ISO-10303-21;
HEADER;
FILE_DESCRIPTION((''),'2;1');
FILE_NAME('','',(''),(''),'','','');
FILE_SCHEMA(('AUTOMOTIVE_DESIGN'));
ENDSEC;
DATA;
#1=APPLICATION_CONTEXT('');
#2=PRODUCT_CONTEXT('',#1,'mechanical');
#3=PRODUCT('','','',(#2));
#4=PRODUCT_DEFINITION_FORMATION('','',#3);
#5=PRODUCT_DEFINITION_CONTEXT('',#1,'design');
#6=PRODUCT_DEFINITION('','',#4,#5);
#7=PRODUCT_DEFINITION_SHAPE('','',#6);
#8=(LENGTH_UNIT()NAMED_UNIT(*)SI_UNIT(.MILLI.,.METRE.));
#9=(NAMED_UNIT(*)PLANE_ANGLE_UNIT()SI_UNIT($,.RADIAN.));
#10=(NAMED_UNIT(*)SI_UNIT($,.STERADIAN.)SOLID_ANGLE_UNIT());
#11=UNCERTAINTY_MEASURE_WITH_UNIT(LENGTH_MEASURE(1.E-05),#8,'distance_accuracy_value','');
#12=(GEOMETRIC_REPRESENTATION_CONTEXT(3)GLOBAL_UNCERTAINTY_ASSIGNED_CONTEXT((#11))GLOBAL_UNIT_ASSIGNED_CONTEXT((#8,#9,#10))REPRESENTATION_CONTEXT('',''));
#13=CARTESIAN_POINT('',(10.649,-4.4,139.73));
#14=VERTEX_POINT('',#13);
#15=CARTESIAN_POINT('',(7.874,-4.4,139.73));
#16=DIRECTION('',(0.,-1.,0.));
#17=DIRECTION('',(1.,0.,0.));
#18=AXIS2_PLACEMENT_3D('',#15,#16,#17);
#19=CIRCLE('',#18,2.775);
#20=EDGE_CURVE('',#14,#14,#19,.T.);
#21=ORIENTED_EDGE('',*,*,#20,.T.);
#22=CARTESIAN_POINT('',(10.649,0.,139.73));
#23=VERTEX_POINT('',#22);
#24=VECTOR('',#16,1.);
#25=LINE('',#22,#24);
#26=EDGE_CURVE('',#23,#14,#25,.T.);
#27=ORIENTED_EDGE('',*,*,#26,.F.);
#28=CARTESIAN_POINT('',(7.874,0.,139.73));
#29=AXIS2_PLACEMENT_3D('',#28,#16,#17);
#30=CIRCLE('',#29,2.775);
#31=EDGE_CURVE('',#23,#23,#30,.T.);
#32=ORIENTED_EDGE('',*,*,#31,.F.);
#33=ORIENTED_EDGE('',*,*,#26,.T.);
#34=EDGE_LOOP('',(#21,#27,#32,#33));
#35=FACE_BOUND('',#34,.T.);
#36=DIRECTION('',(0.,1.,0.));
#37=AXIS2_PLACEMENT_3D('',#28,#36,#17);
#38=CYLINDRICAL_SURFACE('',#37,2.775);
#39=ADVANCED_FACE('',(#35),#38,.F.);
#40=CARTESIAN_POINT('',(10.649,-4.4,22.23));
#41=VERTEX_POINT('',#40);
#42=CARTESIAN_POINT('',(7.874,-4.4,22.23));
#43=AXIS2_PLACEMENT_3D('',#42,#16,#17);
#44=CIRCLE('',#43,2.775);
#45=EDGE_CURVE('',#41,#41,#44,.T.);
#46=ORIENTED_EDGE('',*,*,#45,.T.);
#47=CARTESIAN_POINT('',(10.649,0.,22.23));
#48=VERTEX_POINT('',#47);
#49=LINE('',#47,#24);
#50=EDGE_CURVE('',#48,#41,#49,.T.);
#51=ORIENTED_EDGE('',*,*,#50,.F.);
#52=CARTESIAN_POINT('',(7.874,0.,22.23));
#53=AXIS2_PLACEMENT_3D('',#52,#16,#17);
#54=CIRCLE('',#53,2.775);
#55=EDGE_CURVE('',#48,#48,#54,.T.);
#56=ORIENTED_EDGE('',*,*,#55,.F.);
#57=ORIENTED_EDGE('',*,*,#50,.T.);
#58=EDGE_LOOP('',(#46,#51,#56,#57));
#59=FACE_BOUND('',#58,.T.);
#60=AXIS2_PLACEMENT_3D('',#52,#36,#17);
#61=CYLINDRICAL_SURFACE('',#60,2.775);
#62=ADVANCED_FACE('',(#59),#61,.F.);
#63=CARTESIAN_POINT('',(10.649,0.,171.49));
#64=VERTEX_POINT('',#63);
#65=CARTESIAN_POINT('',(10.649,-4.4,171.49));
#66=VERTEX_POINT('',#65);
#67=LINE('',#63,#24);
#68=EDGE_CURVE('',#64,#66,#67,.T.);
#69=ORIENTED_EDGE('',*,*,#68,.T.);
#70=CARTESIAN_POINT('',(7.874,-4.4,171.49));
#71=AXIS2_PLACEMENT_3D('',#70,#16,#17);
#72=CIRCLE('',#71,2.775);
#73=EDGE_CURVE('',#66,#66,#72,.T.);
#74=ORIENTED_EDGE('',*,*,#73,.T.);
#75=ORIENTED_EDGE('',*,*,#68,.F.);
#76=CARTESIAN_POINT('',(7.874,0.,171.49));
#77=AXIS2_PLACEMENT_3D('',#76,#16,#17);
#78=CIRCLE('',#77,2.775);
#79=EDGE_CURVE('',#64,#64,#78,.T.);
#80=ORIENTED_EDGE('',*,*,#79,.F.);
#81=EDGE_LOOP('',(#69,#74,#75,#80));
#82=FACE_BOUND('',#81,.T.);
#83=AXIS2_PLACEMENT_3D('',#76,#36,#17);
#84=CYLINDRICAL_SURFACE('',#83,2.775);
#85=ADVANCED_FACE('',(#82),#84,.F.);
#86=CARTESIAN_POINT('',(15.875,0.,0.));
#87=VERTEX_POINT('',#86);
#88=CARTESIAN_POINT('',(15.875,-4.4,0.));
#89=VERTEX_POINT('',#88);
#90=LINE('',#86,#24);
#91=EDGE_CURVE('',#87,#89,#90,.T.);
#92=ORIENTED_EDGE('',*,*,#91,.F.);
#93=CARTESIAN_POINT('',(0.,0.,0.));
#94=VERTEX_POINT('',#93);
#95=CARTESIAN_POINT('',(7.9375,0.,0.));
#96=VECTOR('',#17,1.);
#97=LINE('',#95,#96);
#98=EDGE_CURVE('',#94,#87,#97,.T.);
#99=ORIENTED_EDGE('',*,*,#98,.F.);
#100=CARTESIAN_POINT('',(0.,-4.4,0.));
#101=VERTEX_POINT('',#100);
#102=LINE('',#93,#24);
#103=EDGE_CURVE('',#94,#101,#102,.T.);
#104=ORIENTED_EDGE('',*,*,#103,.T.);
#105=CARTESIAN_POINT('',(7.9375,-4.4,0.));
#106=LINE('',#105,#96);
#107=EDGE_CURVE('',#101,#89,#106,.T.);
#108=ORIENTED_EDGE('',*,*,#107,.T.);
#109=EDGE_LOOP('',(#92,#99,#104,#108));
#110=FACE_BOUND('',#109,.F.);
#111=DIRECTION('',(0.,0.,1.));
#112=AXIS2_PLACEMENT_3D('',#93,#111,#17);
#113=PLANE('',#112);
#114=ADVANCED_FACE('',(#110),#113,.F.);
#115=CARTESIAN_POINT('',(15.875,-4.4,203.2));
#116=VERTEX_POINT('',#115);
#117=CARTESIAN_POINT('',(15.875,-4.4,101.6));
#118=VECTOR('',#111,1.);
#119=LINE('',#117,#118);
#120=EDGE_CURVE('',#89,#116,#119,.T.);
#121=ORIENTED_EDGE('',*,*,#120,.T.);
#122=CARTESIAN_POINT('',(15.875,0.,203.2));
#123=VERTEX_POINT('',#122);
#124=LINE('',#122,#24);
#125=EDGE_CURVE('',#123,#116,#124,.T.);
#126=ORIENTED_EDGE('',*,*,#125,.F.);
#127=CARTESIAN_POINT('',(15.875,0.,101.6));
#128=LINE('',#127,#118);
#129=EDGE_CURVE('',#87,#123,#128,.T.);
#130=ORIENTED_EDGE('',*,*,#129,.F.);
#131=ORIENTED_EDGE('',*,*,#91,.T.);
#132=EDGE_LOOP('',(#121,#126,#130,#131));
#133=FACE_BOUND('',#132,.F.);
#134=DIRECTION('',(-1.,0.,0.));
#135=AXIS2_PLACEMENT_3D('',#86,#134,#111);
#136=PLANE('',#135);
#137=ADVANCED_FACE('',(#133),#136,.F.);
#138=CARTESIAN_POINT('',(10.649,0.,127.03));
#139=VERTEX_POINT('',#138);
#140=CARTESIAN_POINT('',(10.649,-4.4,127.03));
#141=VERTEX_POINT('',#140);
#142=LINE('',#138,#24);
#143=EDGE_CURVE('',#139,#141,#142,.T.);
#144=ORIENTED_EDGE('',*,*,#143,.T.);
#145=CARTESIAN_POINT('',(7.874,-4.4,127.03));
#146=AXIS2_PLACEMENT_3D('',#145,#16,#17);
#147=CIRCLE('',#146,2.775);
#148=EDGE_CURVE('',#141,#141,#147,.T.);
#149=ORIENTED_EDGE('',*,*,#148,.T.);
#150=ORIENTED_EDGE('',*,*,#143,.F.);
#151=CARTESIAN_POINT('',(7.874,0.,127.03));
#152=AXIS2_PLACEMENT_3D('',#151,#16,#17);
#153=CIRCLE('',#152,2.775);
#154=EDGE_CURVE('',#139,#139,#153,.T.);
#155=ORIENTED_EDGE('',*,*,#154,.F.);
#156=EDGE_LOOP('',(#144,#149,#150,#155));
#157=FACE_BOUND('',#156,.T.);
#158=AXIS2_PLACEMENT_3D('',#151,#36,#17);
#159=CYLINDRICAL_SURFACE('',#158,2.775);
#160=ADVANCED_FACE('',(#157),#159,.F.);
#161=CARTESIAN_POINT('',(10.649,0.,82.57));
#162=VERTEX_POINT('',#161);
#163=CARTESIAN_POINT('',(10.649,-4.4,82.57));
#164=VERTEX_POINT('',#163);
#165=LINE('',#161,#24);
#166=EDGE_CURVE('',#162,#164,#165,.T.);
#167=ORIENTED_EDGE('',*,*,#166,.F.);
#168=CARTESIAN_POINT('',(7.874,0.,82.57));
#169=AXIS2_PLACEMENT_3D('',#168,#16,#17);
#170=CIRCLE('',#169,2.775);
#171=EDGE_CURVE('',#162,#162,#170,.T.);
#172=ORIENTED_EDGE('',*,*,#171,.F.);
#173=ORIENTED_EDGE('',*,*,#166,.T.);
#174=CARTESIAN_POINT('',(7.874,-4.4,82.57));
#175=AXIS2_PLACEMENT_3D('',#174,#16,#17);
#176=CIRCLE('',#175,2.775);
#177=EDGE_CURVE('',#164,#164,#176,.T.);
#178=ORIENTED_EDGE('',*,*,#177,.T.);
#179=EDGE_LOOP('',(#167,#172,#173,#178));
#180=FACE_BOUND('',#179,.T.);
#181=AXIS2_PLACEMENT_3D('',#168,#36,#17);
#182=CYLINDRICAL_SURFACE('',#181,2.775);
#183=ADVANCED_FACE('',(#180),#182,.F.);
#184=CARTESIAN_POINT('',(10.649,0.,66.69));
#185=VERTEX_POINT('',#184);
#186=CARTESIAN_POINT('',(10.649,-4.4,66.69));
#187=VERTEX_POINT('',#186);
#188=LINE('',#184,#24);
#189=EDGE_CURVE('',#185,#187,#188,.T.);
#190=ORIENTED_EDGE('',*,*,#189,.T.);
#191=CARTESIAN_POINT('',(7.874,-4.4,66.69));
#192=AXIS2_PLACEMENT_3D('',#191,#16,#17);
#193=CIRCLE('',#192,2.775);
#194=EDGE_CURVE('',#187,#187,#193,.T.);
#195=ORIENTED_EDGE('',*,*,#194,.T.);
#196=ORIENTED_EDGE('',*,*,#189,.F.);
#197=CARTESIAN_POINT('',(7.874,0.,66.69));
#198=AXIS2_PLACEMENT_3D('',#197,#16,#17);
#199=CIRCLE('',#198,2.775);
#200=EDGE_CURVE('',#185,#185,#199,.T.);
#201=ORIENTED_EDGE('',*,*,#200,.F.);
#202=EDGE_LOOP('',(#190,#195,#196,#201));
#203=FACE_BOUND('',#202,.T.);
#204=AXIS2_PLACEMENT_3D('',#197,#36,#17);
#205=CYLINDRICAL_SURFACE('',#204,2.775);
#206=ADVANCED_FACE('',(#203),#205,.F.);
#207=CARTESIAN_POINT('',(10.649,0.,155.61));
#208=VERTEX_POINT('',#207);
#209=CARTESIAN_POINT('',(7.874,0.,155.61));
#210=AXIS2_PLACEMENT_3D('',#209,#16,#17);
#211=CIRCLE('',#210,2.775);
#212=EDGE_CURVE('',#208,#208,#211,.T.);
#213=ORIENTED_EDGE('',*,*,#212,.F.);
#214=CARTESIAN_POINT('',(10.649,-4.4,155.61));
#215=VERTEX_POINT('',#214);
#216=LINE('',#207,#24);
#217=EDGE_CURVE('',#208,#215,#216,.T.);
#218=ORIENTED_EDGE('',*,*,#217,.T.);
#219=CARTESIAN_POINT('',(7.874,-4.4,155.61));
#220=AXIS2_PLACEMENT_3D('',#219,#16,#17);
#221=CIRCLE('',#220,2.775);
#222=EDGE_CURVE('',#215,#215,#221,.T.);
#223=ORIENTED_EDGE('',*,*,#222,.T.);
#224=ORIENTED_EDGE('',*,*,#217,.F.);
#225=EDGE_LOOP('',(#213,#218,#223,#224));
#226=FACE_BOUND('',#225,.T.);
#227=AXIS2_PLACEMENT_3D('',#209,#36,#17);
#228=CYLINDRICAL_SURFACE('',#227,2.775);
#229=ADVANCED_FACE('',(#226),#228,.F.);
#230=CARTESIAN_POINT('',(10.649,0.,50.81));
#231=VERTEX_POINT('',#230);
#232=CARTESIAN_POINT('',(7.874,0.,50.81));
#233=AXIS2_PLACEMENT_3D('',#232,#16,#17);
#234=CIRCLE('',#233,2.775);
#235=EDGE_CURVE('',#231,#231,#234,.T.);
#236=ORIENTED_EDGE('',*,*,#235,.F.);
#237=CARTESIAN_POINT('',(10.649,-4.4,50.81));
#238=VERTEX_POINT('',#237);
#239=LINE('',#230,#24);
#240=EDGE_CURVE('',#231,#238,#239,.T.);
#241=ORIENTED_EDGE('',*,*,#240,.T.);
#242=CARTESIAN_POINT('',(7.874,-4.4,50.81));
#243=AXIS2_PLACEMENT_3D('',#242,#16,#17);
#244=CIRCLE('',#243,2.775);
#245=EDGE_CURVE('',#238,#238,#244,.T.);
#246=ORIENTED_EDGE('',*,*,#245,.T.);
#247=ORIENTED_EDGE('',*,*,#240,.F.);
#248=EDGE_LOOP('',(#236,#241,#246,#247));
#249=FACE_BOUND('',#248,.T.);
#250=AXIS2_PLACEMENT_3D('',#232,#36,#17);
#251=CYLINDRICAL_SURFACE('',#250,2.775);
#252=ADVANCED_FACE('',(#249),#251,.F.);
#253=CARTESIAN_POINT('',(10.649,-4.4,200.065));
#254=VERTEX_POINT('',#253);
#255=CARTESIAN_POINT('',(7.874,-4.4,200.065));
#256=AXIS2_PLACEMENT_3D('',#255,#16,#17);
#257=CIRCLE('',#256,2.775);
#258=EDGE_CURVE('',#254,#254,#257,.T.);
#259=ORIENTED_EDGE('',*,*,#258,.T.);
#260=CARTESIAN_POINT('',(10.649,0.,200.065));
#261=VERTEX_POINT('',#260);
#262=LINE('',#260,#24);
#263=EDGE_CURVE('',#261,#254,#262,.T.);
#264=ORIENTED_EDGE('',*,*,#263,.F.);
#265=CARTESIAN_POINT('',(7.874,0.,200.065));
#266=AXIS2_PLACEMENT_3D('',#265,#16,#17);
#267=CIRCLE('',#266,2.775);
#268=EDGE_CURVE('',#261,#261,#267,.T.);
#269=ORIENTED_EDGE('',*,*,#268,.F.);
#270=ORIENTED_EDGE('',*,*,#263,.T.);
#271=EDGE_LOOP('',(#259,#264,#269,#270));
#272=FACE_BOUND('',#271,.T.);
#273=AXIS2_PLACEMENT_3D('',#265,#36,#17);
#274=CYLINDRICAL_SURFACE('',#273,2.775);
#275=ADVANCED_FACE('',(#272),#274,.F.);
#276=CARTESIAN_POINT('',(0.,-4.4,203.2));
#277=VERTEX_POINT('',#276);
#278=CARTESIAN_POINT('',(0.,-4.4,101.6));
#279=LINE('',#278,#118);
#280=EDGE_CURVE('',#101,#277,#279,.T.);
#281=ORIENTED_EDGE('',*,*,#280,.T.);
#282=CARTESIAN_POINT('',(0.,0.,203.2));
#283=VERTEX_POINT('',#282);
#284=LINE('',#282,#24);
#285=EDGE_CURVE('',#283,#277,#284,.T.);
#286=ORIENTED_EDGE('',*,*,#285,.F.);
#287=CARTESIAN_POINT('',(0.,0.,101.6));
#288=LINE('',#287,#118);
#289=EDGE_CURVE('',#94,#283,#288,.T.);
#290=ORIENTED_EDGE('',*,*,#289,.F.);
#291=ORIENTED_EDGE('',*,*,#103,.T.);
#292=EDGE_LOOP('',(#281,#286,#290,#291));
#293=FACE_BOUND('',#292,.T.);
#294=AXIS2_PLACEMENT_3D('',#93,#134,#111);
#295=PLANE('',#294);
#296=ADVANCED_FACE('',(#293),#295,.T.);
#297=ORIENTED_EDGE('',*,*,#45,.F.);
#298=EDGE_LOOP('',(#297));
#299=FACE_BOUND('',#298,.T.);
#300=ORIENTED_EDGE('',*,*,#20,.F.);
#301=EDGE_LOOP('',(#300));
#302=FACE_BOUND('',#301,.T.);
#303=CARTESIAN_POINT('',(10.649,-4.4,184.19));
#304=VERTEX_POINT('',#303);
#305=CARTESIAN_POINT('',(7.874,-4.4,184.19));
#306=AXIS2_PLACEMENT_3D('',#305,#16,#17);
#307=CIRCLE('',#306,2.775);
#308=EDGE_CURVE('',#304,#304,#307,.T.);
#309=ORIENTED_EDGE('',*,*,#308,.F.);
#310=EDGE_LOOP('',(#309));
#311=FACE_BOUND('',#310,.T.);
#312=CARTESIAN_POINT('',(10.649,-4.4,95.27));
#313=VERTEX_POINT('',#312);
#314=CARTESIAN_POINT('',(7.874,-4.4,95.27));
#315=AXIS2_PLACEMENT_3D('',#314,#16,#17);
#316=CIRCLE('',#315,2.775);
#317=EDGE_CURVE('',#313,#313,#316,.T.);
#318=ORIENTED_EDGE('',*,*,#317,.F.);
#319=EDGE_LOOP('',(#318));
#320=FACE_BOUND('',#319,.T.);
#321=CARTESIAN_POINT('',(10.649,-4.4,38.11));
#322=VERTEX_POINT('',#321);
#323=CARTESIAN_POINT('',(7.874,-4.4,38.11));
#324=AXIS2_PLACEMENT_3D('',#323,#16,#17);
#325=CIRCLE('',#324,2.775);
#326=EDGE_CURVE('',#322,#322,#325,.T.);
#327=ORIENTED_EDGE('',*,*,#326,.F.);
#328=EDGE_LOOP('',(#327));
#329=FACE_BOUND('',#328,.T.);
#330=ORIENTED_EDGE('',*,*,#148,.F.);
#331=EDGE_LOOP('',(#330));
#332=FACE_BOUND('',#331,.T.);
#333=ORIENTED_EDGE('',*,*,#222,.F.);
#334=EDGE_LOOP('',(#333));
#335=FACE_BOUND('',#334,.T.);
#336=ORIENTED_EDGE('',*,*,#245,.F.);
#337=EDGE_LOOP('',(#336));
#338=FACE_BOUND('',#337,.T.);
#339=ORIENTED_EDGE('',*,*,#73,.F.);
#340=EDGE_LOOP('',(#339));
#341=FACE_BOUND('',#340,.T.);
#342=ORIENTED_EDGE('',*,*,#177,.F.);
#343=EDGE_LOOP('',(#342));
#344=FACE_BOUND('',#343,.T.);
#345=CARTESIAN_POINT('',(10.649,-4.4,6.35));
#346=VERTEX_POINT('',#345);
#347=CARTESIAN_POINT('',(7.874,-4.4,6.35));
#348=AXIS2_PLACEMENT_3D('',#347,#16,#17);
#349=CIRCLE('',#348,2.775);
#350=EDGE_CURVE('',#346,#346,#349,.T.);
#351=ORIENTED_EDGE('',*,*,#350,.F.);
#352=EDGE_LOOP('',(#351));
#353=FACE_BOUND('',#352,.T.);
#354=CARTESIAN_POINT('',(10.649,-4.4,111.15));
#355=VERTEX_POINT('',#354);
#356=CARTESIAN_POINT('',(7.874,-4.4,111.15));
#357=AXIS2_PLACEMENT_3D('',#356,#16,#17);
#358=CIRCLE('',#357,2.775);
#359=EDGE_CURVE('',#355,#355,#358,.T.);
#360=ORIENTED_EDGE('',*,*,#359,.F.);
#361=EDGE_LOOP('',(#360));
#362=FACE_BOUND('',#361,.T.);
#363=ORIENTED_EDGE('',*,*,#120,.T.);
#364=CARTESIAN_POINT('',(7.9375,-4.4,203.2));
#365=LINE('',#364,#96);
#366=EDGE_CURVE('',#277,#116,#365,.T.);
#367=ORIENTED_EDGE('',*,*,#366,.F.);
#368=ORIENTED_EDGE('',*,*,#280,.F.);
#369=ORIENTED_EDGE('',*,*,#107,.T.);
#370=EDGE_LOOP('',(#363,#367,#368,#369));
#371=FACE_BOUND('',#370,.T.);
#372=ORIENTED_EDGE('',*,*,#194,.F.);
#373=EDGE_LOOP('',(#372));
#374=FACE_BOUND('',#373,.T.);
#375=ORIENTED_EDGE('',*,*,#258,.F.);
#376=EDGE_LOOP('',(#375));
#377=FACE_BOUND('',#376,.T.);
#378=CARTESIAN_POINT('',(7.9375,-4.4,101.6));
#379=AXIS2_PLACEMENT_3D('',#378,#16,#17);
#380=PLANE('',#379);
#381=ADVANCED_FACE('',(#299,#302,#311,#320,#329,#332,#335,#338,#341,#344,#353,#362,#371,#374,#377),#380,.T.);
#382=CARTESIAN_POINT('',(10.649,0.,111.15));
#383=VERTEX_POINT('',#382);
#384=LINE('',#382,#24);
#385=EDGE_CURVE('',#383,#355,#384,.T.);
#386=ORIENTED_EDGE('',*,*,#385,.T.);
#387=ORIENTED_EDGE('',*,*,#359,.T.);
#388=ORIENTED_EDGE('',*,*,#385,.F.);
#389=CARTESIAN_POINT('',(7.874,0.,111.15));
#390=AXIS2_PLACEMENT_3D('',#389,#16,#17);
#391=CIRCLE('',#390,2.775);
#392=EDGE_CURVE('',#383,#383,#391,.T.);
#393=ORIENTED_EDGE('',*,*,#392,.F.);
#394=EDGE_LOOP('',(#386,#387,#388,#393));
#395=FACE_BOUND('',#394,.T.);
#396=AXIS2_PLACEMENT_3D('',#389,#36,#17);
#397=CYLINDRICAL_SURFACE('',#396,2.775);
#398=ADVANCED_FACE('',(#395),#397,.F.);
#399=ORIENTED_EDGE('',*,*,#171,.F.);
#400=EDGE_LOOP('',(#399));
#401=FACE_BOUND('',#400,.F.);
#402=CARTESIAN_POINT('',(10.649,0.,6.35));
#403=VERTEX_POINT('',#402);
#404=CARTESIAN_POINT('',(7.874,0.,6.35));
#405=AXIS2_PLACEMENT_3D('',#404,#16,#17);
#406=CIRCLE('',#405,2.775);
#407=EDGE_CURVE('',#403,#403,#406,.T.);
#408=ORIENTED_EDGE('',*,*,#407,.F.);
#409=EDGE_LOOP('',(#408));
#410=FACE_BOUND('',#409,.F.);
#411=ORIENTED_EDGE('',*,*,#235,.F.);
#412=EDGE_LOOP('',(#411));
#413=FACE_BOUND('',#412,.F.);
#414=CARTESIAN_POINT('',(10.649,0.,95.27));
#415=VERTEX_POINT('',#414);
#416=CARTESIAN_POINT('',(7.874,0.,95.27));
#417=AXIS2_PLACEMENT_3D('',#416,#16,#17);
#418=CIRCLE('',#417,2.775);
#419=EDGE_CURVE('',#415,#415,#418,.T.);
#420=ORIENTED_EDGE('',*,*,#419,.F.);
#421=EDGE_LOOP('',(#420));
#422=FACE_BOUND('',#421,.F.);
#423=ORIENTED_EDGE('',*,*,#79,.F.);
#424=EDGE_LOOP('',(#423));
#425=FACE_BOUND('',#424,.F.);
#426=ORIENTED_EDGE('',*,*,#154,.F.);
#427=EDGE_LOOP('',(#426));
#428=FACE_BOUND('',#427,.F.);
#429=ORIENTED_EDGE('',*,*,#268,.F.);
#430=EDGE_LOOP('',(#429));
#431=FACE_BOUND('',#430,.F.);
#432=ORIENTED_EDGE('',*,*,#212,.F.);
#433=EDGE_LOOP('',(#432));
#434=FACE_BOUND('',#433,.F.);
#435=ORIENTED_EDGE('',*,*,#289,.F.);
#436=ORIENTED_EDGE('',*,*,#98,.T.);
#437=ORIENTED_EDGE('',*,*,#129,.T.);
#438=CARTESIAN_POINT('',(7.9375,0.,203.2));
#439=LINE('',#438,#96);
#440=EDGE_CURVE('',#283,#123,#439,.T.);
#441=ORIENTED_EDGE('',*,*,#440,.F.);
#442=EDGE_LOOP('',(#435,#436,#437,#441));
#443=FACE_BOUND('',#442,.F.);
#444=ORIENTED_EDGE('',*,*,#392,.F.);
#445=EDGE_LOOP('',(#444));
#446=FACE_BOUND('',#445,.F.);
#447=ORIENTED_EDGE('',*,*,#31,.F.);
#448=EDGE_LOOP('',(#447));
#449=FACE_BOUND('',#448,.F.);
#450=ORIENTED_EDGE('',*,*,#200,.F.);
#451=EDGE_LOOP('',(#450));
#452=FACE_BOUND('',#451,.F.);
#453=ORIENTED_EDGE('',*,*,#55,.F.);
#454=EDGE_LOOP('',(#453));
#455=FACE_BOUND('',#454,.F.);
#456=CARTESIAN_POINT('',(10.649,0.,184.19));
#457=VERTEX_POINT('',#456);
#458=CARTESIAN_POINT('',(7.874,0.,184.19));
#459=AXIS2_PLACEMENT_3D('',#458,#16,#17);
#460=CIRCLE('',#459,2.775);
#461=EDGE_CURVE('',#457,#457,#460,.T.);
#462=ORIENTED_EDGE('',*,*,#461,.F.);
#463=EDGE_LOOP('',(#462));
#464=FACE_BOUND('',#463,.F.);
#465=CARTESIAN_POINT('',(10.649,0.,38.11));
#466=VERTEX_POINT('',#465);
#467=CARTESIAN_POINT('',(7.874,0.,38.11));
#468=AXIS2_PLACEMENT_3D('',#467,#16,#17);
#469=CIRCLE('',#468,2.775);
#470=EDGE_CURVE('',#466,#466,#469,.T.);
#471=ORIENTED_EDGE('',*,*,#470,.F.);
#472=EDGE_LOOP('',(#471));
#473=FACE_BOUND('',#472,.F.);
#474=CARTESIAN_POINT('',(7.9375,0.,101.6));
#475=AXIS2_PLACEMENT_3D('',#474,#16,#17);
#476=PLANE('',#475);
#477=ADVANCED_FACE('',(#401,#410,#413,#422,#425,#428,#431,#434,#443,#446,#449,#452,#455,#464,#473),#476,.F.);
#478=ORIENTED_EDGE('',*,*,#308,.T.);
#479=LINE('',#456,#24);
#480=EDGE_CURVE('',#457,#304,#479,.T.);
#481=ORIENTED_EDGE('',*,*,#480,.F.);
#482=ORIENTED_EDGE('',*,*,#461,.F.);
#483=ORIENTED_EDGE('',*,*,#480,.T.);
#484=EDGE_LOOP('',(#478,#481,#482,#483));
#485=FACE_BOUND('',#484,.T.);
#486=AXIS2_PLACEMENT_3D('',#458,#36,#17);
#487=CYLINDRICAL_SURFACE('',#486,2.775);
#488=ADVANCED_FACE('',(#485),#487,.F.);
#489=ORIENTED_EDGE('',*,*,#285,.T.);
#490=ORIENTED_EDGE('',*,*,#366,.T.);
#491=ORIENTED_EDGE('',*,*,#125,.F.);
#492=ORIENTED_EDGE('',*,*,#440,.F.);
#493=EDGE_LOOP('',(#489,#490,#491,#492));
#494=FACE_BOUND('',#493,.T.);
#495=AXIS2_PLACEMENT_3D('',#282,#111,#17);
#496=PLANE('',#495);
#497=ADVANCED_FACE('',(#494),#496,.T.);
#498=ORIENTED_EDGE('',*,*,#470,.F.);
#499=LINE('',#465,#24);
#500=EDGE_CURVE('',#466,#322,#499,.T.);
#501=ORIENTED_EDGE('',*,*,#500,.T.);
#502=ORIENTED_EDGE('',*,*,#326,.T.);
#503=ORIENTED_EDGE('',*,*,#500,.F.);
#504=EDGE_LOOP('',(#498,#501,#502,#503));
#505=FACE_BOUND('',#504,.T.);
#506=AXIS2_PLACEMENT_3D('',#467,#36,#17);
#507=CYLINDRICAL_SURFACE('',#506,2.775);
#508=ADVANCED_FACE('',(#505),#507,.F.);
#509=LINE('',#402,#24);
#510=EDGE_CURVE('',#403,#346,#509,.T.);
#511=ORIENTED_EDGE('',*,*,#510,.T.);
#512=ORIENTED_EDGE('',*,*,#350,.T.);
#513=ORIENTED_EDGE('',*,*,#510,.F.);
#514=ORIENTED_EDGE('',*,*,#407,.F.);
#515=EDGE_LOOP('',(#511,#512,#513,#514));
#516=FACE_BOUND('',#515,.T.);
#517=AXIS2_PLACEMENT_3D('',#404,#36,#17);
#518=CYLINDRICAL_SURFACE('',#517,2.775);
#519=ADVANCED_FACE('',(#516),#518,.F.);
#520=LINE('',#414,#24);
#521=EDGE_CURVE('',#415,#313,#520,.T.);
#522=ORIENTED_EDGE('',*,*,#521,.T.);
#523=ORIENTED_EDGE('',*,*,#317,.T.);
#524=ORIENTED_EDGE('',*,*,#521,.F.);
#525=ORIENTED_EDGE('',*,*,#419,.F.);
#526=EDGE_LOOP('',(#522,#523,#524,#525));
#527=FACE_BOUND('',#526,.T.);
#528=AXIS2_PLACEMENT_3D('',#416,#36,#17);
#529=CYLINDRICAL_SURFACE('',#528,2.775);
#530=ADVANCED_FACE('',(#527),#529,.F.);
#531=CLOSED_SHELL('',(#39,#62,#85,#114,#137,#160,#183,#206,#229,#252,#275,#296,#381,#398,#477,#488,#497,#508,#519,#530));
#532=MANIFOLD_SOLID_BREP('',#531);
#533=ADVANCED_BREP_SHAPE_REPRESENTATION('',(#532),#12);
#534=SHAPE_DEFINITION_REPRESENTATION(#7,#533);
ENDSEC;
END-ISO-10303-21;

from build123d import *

# Parameters (mm, degrees)
SKETCH_W  = 15.875
SKETCH_H  = 203.2
SKETCH_R  = 2.775
PAD_DEPTH = 4.4


with BuildPart() as part:
    # Sketch → Pad (new body)
    with BuildSketch(Plane.XZ):
        with Locations((7.9375, 101.6)):
            Rectangle(SKETCH_W, SKETCH_H)
        with Locations((7.874, 6.35)):
            Circle(SKETCH_R, mode=Mode.SUBTRACT)
        with Locations((7.874, 22.23)):
            Circle(SKETCH_R, mode=Mode.SUBTRACT)
        with Locations((7.874, 38.11)):
            Circle(SKETCH_R, mode=Mode.SUBTRACT)
        with Locations((7.874, 50.81)):
            Circle(SKETCH_R, mode=Mode.SUBTRACT)
        with Locations((7.874, 66.69)):
            Circle(SKETCH_R, mode=Mode.SUBTRACT)
        with Locations((7.874, 82.57)):
            Circle(SKETCH_R, mode=Mode.SUBTRACT)
        with Locations((7.874, 95.27)):
            Circle(SKETCH_R, mode=Mode.SUBTRACT)
        with Locations((7.874, 111.15)):
            Circle(SKETCH_R, mode=Mode.SUBTRACT)
        with Locations((7.874, 127.03)):
            Circle(SKETCH_R, mode=Mode.SUBTRACT)
        with Locations((7.874, 139.73)):
            Circle(SKETCH_R, mode=Mode.SUBTRACT)
        with Locations((7.874, 155.61)):
            Circle(SKETCH_R, mode=Mode.SUBTRACT)
        with Locations((7.874, 171.49)):
            Circle(SKETCH_R, mode=Mode.SUBTRACT)
        with Locations((7.874, 184.19)):
            Circle(SKETCH_R, mode=Mode.SUBTRACT)
        with Locations((7.874, 200.065)):
            Circle(SKETCH_R, mode=Mode.SUBTRACT)
    extrude(amount=PAD_DEPTH)


solid = part.part
